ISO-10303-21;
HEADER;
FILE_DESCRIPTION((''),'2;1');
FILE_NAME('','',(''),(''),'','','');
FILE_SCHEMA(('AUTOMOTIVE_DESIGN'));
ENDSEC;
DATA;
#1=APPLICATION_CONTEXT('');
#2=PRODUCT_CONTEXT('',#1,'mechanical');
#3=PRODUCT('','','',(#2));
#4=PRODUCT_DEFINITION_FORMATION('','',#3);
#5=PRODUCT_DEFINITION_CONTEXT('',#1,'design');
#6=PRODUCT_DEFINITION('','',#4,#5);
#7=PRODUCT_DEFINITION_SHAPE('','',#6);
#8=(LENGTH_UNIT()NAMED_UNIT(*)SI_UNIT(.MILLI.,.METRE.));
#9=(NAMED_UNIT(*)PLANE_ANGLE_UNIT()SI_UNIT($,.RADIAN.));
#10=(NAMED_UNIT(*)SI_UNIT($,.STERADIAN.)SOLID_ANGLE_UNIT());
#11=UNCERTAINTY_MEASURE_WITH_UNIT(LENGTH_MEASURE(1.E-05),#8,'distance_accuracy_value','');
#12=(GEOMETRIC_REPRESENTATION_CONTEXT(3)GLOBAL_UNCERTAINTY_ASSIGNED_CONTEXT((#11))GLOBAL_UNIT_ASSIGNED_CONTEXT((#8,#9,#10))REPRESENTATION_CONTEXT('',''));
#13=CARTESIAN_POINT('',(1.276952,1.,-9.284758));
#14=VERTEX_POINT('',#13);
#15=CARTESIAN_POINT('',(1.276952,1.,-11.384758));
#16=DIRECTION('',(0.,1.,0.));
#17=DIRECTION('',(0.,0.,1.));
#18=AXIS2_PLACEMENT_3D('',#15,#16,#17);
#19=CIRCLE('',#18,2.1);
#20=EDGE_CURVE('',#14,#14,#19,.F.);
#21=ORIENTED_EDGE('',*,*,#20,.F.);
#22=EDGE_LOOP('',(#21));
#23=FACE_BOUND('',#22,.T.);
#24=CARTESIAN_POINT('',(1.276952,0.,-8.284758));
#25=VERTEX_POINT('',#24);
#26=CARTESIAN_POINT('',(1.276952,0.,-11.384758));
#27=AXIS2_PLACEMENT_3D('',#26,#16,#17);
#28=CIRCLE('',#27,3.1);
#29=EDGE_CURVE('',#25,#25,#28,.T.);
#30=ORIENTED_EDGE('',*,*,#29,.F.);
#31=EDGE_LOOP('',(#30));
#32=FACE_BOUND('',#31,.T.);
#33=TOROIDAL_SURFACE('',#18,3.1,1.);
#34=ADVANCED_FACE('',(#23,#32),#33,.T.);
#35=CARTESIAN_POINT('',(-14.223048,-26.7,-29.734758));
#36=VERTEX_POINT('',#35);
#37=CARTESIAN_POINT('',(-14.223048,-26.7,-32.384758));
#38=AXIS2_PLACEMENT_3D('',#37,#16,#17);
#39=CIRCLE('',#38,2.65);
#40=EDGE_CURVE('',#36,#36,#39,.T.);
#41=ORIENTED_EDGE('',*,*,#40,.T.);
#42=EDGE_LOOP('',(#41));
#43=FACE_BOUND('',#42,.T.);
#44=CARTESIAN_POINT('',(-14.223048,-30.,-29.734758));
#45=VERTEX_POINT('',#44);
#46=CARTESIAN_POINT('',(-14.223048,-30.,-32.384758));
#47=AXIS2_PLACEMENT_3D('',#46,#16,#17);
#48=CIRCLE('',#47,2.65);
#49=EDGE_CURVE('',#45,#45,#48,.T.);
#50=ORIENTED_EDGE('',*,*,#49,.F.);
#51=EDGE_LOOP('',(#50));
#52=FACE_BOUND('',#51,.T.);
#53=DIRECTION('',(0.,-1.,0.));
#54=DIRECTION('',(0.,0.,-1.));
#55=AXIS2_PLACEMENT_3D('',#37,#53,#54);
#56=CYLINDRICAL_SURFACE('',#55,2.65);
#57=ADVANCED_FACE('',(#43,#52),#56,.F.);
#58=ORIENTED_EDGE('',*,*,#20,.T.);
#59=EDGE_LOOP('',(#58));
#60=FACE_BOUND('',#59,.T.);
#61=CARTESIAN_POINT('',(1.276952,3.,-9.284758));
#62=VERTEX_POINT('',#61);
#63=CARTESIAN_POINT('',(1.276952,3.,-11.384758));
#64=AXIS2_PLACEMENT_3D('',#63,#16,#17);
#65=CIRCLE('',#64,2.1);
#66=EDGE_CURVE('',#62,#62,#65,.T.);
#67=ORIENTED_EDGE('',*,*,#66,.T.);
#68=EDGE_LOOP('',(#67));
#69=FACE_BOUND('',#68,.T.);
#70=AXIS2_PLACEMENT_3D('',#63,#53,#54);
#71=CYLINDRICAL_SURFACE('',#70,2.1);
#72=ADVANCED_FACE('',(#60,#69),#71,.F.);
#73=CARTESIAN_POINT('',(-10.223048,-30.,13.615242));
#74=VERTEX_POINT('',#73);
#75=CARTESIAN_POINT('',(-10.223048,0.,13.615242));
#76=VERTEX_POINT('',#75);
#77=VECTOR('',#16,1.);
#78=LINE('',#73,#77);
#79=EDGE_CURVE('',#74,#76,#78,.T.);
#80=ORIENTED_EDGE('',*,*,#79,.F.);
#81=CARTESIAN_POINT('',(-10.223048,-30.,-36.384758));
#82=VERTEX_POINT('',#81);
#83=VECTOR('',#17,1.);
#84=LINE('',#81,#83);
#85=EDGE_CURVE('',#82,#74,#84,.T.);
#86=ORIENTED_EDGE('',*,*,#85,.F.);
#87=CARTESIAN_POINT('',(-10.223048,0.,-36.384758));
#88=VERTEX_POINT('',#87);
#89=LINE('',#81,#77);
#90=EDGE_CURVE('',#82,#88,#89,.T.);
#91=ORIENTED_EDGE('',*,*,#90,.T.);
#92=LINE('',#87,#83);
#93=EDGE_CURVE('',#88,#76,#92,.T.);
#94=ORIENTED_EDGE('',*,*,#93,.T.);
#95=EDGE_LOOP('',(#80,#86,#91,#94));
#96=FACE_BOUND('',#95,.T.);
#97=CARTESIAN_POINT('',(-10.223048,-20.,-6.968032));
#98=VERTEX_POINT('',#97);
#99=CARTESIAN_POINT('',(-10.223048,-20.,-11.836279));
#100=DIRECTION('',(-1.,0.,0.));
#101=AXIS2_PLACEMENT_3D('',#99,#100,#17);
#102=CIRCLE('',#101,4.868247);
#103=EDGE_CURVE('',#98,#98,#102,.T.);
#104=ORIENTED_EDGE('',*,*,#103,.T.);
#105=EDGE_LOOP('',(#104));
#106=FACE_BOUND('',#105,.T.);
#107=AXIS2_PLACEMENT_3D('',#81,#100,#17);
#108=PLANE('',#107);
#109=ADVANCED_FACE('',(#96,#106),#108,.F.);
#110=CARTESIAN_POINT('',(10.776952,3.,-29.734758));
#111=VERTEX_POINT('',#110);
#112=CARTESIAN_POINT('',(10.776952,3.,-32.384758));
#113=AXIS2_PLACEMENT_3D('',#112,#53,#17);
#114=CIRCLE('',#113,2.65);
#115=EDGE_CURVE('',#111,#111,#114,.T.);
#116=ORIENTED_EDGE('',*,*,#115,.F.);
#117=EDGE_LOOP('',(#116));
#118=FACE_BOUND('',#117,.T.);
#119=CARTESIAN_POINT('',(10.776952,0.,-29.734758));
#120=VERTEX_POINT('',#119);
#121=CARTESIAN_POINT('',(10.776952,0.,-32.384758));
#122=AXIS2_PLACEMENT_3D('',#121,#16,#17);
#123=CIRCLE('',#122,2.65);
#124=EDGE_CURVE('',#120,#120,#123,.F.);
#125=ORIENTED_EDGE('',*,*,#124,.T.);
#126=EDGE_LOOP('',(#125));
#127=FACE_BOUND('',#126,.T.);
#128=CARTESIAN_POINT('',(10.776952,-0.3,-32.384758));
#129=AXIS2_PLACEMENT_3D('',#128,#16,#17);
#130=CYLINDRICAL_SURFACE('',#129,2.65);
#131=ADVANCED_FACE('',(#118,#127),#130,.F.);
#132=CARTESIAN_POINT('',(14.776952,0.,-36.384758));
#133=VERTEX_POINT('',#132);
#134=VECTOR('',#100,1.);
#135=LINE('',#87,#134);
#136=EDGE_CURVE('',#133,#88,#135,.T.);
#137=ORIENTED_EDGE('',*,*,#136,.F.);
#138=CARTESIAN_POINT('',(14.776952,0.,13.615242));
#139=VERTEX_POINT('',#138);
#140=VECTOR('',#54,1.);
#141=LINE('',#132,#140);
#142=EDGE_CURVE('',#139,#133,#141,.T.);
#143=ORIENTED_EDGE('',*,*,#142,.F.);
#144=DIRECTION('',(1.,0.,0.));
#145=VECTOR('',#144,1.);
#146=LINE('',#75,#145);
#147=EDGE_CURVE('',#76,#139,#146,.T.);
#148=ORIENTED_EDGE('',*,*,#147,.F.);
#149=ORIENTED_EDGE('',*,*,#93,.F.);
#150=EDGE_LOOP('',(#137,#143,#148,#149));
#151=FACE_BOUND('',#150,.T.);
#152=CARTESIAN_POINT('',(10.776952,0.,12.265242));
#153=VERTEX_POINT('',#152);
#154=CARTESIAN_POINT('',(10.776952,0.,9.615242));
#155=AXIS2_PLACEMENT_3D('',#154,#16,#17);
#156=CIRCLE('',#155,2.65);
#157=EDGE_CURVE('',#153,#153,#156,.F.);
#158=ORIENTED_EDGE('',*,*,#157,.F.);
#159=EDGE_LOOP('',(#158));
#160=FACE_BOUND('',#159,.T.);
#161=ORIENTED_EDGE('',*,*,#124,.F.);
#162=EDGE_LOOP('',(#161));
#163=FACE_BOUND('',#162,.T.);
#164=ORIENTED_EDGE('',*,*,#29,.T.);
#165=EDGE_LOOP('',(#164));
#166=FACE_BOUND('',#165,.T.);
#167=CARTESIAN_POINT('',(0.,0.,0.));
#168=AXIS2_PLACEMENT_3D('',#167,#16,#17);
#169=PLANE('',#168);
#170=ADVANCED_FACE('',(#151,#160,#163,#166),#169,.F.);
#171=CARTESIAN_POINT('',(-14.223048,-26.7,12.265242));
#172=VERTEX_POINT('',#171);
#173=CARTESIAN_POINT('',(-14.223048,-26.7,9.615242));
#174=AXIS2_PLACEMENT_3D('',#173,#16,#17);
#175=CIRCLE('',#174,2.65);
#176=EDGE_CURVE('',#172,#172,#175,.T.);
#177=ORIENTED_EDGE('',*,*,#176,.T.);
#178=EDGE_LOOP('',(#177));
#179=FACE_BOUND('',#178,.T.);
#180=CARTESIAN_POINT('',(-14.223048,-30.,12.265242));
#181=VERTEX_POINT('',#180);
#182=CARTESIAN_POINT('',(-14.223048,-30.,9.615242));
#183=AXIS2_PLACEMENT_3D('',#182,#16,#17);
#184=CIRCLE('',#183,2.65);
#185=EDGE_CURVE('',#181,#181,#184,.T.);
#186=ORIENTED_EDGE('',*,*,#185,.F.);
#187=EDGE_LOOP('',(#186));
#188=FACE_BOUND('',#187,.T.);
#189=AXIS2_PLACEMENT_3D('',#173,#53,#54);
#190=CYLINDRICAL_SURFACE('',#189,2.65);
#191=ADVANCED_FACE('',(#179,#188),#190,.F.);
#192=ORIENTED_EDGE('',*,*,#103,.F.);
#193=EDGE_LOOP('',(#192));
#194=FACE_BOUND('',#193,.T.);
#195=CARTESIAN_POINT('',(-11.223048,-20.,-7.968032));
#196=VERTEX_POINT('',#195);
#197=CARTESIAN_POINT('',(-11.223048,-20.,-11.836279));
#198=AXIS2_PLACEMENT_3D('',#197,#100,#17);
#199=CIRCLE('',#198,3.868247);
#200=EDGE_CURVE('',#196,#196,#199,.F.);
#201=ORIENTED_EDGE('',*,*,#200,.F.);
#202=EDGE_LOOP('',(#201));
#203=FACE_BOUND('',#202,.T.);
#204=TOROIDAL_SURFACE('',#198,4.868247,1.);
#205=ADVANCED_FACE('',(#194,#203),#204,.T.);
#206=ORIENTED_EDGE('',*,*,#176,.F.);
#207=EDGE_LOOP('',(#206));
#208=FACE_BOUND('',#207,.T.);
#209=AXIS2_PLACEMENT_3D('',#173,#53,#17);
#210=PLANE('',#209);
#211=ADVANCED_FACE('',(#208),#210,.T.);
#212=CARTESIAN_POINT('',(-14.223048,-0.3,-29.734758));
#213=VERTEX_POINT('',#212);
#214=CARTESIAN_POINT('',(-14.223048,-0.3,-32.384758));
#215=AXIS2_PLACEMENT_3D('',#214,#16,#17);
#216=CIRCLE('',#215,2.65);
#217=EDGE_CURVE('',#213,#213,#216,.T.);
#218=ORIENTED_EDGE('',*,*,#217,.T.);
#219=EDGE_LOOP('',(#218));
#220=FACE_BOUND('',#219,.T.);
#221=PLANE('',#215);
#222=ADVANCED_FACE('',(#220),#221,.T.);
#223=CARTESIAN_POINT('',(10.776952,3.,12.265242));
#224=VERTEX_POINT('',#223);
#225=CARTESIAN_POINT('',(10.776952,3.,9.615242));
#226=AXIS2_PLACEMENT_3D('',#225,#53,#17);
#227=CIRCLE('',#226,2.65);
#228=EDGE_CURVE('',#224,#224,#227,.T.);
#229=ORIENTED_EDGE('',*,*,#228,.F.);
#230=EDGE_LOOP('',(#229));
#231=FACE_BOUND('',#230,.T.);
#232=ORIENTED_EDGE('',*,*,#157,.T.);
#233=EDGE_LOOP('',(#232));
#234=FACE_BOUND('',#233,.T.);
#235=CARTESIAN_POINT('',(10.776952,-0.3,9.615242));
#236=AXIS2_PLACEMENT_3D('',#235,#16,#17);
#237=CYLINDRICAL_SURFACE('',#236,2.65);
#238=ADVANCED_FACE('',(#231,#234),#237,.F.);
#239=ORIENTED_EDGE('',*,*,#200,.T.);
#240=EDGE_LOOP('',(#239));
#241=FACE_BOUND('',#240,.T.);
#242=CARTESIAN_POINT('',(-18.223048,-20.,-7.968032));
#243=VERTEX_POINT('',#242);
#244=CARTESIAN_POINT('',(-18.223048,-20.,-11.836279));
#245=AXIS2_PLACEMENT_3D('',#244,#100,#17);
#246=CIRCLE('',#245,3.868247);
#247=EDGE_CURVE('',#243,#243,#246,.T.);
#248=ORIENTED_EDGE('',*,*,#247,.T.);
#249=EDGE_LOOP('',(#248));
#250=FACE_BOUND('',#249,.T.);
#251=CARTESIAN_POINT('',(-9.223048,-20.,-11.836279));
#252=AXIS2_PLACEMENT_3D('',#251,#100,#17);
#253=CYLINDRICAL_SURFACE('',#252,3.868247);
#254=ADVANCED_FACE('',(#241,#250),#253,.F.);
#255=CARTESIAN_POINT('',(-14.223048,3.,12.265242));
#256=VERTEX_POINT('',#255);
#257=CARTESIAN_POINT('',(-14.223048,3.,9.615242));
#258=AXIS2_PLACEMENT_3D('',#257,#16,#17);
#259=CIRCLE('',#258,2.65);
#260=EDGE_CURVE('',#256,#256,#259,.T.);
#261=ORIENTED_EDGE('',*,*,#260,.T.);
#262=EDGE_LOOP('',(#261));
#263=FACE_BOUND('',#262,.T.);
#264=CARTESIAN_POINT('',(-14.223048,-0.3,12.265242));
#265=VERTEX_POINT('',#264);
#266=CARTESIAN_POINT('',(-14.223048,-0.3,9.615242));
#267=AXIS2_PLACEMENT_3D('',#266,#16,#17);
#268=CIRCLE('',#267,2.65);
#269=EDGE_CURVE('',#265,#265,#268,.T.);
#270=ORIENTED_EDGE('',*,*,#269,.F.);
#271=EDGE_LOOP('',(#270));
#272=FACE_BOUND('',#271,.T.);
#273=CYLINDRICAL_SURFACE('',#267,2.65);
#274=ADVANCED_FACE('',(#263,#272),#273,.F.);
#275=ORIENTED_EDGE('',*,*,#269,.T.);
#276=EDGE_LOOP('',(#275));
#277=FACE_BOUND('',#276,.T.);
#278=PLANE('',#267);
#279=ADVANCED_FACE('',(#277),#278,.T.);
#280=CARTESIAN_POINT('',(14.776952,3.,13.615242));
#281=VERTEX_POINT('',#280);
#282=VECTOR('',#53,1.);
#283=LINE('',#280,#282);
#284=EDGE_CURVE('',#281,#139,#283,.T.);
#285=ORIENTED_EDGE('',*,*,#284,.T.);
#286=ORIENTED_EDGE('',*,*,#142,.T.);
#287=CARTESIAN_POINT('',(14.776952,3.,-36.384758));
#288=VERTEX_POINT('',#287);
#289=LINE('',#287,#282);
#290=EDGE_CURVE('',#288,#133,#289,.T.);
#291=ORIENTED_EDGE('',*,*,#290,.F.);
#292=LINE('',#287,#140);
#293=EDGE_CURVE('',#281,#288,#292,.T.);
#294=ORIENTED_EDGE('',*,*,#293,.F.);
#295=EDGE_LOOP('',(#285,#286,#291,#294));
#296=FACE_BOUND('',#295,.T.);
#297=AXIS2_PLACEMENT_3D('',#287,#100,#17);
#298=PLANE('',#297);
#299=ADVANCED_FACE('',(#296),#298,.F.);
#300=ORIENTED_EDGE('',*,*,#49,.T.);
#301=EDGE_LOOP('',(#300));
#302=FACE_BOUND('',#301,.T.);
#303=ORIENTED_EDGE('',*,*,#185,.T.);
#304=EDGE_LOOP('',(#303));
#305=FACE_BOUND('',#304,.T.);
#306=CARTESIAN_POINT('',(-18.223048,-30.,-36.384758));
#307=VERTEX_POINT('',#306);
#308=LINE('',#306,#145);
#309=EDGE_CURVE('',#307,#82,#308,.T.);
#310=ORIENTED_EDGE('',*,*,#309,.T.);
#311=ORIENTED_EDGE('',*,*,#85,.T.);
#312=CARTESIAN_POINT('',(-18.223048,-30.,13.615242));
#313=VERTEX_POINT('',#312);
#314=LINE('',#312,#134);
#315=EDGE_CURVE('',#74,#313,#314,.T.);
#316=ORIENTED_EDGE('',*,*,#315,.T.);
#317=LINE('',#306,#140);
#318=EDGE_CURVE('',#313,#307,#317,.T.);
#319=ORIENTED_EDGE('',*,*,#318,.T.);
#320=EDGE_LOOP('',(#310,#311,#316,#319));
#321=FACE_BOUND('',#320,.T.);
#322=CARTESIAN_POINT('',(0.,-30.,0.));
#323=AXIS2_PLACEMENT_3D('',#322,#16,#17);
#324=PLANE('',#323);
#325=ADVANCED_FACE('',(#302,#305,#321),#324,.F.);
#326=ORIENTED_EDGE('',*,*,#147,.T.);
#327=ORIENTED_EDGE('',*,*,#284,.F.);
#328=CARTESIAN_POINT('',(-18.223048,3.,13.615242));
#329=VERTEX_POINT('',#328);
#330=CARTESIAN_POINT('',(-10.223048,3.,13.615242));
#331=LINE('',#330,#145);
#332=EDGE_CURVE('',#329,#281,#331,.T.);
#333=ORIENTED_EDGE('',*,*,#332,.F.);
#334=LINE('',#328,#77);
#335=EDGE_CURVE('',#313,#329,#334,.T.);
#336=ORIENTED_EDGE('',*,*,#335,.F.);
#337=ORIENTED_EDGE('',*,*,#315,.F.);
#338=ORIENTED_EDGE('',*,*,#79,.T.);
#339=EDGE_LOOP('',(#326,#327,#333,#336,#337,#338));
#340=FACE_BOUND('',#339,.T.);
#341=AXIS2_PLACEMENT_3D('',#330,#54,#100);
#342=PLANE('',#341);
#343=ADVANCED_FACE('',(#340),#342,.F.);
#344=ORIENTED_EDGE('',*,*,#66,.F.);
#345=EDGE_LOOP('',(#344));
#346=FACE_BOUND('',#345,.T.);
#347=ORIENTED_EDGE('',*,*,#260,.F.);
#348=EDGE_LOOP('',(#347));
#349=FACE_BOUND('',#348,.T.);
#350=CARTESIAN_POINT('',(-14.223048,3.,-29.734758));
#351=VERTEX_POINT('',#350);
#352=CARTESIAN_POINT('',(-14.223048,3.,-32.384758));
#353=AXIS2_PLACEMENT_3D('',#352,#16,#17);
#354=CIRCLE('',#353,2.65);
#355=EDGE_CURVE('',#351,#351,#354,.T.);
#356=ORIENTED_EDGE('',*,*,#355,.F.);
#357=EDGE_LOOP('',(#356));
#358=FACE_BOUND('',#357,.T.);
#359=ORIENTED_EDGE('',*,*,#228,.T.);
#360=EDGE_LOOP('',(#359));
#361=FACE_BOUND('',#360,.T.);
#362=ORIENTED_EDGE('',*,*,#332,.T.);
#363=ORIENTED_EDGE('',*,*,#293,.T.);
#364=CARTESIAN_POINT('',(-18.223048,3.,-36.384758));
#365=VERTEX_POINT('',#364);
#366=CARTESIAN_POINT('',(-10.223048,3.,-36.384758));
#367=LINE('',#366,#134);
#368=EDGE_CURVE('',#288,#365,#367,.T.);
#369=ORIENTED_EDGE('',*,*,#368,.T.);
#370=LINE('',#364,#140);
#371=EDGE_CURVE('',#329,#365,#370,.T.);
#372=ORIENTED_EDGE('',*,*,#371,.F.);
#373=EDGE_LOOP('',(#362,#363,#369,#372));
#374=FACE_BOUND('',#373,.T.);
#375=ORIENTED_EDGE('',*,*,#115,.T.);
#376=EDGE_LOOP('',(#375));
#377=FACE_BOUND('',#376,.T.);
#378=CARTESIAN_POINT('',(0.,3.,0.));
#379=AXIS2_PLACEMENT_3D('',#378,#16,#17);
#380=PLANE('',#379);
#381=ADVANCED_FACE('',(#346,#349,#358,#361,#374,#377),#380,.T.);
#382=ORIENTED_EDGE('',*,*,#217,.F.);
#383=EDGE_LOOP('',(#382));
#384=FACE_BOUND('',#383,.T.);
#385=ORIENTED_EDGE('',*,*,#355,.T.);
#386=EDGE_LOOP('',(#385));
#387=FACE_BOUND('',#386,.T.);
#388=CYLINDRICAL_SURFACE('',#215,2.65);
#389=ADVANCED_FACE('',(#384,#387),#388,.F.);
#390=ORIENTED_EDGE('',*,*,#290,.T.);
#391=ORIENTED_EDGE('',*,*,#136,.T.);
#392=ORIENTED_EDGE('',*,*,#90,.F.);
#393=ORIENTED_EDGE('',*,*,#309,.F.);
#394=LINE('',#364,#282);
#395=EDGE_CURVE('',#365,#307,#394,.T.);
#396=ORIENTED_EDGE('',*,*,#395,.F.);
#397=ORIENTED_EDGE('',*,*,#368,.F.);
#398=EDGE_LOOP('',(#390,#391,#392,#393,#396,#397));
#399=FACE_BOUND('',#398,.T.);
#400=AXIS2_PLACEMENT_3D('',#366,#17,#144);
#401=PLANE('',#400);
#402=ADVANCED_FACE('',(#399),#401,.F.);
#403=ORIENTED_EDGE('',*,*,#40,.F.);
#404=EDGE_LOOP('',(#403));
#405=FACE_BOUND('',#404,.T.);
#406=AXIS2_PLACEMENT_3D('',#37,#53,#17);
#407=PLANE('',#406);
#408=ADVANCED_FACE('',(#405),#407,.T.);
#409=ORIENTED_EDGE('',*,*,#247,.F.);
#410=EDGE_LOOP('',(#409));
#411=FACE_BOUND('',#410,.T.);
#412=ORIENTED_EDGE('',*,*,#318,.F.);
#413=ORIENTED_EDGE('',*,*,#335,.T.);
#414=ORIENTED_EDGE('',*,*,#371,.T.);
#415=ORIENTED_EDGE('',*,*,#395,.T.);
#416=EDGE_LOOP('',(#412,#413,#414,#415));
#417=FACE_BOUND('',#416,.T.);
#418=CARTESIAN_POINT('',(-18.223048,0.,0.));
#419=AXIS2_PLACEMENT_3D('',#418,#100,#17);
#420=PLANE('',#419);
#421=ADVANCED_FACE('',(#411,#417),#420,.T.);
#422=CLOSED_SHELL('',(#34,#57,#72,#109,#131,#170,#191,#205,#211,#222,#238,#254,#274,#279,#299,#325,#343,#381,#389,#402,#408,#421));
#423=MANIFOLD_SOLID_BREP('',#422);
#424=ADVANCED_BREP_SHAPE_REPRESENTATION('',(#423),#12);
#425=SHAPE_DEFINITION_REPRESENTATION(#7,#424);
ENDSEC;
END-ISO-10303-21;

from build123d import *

# Parameters (mm, degrees)
SKETCH1_W           = 25
SKETCH1_H           = 50
SKETCH1_R           = 2.1
BOSS_EXTRUDE1_DEPTH = 3
SKETCH2_W           = 50
SKETCH2_H           = 3
BOSS_EXTRUDE2_DEPTH = 8
SKETCH3_W           = 8
SKETCH3_H           = 50
BOSS_EXTRUDE3_DEPTH = 30
SKETCH4_R           = 2.65
CUT_EXTRUDE1_DEPTH  = 3.3
FILLET1_R           = 1
SKETCH5_R           = 3.868246804
CUT_EXTRUDE2_DEPTH  = 9
FILLET2_R           = 1


with BuildPart() as part:
    # Sketch1 → Boss-Extrude1 (new body)
    with BuildSketch(Plane(origin=(0, 0, 0), x_dir=(1, 0, 0), z_dir=(0, 1, 0))):
        with Locations((2.276951673, 11.384758364)):
            Rectangle(SKETCH1_W, SKETCH1_H)
        with Locations(Location((1.276951673, 11.384758364, 0), (0, 0, 270))):
            Circle(SKETCH1_R, mode=Mode.SUBTRACT)
    extrude(amount=BOSS_EXTRUDE1_DEPTH)

    # Sketch2 → Boss-Extrude2 (add)
    with BuildSketch(Plane.ZY.offset(10.223048327)):
        with Locations((-11.384758364, 1.5)):
            Rectangle(SKETCH2_W, SKETCH2_H)
    extrude(amount=BOSS_EXTRUDE2_DEPTH)

    # Sketch3 → Boss-Extrude3 (add)
    with BuildSketch(Plane.XZ):
        with Locations((-14.223048327, -11.384758364)):
            Rectangle(SKETCH3_W, SKETCH3_H)
    extrude(amount=BOSS_EXTRUDE3_DEPTH)

    # Sketch4 → Cut-Extrude1 (cut)
    with BuildSketch(Plane(origin=(0, 3, 0), x_dir=(1, 0, 0), z_dir=(0, 1, 0))):
        with Locations(Location((-14.223048327, 32.384758364, 0), (0, 0, 270))):
            Circle(SKETCH4_R)
        with Locations(Location((-14.223048327, -9.615241636, 0), (0, 0, 270))):
            Circle(SKETCH4_R)
    cut_extrude1 = extrude(amount=-CUT_EXTRUDE1_DEPTH, mode=Mode.SUBTRACT)

    # Mirror1: Cut-Extrude1 across plane
    add(cut_extrude1.mirror(Plane.ZX.offset(-13.5)), mode=Mode.SUBTRACT)

    # Fillet1
    fillet1_edges = [part.edges().sort_by_distance(p)[0] for p in [
        (1.276951673, 0, -13.484758364),
    ]]
    fillet(fillet1_edges, radius=FILLET1_R)

    # Sketch5 → Cut-Extrude2 (cut)
    with BuildSketch(Plane.ZY.offset(18.223048327)):
        with Locations((-11.836279124, -20)):
            Circle(SKETCH5_R)
    extrude(amount=-CUT_EXTRUDE2_DEPTH, mode=Mode.SUBTRACT)

    # Fillet2
    fillet2_edges = [part.edges().sort_by_distance(p)[0] for p in [
        (-10.223048327, -20, -15.704525928),
    ]]
    fillet(fillet2_edges, radius=FILLET2_R)

    # Mirror2: Cut-Extrude1 across plane
    add(cut_extrude1.mirror(Plane.ZY.offset(1.723048327)), mode=Mode.SUBTRACT)


solid = part.part
